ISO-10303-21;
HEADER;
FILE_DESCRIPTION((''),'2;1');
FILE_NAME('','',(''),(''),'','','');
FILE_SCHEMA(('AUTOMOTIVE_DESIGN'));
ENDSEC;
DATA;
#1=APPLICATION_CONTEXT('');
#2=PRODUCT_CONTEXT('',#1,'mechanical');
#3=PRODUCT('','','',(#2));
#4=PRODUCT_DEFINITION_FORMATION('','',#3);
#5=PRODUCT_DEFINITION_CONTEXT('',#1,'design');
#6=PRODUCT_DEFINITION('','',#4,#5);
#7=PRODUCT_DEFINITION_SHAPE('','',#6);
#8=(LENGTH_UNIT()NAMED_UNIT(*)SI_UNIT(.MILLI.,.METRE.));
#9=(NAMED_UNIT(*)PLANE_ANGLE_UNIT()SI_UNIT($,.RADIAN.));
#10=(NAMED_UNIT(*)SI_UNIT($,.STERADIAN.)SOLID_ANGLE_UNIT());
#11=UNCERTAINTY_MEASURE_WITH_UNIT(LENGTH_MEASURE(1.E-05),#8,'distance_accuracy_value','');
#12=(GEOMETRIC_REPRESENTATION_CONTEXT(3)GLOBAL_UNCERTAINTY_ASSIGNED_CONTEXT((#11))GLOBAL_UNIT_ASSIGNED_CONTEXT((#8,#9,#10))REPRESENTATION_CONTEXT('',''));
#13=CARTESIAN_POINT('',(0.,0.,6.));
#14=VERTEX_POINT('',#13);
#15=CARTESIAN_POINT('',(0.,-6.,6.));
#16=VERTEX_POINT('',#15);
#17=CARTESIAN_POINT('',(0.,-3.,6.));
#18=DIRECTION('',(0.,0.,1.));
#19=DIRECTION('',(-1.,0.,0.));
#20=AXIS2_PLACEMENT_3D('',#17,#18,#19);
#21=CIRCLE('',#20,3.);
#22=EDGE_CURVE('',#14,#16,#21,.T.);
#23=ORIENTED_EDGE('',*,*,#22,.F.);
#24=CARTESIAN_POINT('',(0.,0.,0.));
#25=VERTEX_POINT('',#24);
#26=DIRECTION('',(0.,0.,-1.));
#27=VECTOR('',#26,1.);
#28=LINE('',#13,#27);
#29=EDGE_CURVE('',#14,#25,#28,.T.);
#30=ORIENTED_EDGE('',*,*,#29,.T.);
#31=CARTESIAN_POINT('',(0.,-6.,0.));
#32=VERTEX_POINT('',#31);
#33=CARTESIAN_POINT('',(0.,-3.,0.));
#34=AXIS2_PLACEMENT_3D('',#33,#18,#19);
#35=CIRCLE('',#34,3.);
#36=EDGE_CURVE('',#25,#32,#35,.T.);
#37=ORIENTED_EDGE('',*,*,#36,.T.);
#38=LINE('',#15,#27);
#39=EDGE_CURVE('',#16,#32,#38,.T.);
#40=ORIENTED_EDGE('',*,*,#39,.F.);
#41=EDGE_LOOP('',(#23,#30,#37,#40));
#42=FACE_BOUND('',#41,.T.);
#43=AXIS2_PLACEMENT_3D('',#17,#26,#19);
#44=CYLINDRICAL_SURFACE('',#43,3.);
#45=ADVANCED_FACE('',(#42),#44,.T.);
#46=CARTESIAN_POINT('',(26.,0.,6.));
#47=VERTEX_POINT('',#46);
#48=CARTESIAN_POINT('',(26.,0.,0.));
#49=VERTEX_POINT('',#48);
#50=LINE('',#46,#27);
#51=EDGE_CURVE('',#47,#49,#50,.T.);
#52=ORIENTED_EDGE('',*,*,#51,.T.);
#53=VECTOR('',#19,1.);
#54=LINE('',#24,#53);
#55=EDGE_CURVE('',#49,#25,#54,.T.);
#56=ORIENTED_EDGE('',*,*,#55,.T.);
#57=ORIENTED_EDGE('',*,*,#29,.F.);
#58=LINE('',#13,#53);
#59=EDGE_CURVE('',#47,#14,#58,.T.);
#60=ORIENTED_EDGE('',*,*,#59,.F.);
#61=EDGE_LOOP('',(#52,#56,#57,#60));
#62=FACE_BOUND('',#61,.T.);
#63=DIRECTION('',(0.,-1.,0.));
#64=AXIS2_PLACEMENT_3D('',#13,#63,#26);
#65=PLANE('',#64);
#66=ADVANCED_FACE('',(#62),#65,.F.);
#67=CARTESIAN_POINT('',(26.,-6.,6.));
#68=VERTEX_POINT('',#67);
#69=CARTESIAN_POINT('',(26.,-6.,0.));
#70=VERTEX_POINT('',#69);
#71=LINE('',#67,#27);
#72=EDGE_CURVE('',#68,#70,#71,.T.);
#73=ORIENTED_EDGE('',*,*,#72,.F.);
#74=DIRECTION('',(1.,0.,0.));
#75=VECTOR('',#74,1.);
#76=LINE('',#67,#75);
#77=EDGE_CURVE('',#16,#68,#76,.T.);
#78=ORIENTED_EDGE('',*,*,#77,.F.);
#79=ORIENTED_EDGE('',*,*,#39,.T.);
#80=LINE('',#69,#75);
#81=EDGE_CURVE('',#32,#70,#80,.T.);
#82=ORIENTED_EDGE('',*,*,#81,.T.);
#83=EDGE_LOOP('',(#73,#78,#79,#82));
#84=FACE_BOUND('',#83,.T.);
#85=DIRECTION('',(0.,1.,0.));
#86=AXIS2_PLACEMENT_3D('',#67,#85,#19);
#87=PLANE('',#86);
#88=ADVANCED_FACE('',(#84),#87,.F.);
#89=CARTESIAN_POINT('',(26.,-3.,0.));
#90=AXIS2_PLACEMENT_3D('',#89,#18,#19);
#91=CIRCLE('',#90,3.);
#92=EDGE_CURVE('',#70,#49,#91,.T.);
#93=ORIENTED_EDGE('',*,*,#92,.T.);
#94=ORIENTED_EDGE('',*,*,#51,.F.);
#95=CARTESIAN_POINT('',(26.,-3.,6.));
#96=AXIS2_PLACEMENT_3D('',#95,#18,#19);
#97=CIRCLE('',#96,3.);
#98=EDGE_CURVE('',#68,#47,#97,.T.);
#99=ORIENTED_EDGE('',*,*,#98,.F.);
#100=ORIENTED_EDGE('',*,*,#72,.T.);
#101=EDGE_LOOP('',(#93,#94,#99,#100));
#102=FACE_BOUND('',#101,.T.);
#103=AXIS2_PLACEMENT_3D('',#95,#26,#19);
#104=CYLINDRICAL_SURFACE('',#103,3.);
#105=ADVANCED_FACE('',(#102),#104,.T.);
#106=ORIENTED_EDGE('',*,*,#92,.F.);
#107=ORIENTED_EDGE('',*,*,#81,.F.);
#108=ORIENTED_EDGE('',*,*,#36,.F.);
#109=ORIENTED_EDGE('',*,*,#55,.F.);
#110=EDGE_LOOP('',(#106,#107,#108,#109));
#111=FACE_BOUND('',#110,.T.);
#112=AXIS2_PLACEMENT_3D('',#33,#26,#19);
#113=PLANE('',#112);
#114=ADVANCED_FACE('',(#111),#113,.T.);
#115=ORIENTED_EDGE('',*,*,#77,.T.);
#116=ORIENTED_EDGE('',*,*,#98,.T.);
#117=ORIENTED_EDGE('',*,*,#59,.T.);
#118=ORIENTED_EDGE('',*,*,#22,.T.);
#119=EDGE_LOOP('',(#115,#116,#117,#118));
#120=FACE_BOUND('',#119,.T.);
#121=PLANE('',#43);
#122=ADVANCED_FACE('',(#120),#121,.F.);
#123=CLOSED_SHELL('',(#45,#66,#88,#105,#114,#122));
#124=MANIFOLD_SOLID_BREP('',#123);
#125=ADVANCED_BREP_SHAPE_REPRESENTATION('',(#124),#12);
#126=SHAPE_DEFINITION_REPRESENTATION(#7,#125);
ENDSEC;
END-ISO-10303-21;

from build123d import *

# Parameters (mm, degrees)
EXTRUSION1_DEPTH = 6


with BuildPart() as part:
    # Esquisse1 → Extrusion1 (new body)
    with BuildSketch(Plane.XY):
        with BuildLine():
            Line((0, 0), (26, 0))
            ThreePointArc((26, 0), (29, -3), (26, -6))
            Line((26, -6), (0, -6))
            ThreePointArc((0, -6), (-3, -3), (0, 0))
        make_face()
    extrude(amount=EXTRUSION1_DEPTH)


solid = part.part
